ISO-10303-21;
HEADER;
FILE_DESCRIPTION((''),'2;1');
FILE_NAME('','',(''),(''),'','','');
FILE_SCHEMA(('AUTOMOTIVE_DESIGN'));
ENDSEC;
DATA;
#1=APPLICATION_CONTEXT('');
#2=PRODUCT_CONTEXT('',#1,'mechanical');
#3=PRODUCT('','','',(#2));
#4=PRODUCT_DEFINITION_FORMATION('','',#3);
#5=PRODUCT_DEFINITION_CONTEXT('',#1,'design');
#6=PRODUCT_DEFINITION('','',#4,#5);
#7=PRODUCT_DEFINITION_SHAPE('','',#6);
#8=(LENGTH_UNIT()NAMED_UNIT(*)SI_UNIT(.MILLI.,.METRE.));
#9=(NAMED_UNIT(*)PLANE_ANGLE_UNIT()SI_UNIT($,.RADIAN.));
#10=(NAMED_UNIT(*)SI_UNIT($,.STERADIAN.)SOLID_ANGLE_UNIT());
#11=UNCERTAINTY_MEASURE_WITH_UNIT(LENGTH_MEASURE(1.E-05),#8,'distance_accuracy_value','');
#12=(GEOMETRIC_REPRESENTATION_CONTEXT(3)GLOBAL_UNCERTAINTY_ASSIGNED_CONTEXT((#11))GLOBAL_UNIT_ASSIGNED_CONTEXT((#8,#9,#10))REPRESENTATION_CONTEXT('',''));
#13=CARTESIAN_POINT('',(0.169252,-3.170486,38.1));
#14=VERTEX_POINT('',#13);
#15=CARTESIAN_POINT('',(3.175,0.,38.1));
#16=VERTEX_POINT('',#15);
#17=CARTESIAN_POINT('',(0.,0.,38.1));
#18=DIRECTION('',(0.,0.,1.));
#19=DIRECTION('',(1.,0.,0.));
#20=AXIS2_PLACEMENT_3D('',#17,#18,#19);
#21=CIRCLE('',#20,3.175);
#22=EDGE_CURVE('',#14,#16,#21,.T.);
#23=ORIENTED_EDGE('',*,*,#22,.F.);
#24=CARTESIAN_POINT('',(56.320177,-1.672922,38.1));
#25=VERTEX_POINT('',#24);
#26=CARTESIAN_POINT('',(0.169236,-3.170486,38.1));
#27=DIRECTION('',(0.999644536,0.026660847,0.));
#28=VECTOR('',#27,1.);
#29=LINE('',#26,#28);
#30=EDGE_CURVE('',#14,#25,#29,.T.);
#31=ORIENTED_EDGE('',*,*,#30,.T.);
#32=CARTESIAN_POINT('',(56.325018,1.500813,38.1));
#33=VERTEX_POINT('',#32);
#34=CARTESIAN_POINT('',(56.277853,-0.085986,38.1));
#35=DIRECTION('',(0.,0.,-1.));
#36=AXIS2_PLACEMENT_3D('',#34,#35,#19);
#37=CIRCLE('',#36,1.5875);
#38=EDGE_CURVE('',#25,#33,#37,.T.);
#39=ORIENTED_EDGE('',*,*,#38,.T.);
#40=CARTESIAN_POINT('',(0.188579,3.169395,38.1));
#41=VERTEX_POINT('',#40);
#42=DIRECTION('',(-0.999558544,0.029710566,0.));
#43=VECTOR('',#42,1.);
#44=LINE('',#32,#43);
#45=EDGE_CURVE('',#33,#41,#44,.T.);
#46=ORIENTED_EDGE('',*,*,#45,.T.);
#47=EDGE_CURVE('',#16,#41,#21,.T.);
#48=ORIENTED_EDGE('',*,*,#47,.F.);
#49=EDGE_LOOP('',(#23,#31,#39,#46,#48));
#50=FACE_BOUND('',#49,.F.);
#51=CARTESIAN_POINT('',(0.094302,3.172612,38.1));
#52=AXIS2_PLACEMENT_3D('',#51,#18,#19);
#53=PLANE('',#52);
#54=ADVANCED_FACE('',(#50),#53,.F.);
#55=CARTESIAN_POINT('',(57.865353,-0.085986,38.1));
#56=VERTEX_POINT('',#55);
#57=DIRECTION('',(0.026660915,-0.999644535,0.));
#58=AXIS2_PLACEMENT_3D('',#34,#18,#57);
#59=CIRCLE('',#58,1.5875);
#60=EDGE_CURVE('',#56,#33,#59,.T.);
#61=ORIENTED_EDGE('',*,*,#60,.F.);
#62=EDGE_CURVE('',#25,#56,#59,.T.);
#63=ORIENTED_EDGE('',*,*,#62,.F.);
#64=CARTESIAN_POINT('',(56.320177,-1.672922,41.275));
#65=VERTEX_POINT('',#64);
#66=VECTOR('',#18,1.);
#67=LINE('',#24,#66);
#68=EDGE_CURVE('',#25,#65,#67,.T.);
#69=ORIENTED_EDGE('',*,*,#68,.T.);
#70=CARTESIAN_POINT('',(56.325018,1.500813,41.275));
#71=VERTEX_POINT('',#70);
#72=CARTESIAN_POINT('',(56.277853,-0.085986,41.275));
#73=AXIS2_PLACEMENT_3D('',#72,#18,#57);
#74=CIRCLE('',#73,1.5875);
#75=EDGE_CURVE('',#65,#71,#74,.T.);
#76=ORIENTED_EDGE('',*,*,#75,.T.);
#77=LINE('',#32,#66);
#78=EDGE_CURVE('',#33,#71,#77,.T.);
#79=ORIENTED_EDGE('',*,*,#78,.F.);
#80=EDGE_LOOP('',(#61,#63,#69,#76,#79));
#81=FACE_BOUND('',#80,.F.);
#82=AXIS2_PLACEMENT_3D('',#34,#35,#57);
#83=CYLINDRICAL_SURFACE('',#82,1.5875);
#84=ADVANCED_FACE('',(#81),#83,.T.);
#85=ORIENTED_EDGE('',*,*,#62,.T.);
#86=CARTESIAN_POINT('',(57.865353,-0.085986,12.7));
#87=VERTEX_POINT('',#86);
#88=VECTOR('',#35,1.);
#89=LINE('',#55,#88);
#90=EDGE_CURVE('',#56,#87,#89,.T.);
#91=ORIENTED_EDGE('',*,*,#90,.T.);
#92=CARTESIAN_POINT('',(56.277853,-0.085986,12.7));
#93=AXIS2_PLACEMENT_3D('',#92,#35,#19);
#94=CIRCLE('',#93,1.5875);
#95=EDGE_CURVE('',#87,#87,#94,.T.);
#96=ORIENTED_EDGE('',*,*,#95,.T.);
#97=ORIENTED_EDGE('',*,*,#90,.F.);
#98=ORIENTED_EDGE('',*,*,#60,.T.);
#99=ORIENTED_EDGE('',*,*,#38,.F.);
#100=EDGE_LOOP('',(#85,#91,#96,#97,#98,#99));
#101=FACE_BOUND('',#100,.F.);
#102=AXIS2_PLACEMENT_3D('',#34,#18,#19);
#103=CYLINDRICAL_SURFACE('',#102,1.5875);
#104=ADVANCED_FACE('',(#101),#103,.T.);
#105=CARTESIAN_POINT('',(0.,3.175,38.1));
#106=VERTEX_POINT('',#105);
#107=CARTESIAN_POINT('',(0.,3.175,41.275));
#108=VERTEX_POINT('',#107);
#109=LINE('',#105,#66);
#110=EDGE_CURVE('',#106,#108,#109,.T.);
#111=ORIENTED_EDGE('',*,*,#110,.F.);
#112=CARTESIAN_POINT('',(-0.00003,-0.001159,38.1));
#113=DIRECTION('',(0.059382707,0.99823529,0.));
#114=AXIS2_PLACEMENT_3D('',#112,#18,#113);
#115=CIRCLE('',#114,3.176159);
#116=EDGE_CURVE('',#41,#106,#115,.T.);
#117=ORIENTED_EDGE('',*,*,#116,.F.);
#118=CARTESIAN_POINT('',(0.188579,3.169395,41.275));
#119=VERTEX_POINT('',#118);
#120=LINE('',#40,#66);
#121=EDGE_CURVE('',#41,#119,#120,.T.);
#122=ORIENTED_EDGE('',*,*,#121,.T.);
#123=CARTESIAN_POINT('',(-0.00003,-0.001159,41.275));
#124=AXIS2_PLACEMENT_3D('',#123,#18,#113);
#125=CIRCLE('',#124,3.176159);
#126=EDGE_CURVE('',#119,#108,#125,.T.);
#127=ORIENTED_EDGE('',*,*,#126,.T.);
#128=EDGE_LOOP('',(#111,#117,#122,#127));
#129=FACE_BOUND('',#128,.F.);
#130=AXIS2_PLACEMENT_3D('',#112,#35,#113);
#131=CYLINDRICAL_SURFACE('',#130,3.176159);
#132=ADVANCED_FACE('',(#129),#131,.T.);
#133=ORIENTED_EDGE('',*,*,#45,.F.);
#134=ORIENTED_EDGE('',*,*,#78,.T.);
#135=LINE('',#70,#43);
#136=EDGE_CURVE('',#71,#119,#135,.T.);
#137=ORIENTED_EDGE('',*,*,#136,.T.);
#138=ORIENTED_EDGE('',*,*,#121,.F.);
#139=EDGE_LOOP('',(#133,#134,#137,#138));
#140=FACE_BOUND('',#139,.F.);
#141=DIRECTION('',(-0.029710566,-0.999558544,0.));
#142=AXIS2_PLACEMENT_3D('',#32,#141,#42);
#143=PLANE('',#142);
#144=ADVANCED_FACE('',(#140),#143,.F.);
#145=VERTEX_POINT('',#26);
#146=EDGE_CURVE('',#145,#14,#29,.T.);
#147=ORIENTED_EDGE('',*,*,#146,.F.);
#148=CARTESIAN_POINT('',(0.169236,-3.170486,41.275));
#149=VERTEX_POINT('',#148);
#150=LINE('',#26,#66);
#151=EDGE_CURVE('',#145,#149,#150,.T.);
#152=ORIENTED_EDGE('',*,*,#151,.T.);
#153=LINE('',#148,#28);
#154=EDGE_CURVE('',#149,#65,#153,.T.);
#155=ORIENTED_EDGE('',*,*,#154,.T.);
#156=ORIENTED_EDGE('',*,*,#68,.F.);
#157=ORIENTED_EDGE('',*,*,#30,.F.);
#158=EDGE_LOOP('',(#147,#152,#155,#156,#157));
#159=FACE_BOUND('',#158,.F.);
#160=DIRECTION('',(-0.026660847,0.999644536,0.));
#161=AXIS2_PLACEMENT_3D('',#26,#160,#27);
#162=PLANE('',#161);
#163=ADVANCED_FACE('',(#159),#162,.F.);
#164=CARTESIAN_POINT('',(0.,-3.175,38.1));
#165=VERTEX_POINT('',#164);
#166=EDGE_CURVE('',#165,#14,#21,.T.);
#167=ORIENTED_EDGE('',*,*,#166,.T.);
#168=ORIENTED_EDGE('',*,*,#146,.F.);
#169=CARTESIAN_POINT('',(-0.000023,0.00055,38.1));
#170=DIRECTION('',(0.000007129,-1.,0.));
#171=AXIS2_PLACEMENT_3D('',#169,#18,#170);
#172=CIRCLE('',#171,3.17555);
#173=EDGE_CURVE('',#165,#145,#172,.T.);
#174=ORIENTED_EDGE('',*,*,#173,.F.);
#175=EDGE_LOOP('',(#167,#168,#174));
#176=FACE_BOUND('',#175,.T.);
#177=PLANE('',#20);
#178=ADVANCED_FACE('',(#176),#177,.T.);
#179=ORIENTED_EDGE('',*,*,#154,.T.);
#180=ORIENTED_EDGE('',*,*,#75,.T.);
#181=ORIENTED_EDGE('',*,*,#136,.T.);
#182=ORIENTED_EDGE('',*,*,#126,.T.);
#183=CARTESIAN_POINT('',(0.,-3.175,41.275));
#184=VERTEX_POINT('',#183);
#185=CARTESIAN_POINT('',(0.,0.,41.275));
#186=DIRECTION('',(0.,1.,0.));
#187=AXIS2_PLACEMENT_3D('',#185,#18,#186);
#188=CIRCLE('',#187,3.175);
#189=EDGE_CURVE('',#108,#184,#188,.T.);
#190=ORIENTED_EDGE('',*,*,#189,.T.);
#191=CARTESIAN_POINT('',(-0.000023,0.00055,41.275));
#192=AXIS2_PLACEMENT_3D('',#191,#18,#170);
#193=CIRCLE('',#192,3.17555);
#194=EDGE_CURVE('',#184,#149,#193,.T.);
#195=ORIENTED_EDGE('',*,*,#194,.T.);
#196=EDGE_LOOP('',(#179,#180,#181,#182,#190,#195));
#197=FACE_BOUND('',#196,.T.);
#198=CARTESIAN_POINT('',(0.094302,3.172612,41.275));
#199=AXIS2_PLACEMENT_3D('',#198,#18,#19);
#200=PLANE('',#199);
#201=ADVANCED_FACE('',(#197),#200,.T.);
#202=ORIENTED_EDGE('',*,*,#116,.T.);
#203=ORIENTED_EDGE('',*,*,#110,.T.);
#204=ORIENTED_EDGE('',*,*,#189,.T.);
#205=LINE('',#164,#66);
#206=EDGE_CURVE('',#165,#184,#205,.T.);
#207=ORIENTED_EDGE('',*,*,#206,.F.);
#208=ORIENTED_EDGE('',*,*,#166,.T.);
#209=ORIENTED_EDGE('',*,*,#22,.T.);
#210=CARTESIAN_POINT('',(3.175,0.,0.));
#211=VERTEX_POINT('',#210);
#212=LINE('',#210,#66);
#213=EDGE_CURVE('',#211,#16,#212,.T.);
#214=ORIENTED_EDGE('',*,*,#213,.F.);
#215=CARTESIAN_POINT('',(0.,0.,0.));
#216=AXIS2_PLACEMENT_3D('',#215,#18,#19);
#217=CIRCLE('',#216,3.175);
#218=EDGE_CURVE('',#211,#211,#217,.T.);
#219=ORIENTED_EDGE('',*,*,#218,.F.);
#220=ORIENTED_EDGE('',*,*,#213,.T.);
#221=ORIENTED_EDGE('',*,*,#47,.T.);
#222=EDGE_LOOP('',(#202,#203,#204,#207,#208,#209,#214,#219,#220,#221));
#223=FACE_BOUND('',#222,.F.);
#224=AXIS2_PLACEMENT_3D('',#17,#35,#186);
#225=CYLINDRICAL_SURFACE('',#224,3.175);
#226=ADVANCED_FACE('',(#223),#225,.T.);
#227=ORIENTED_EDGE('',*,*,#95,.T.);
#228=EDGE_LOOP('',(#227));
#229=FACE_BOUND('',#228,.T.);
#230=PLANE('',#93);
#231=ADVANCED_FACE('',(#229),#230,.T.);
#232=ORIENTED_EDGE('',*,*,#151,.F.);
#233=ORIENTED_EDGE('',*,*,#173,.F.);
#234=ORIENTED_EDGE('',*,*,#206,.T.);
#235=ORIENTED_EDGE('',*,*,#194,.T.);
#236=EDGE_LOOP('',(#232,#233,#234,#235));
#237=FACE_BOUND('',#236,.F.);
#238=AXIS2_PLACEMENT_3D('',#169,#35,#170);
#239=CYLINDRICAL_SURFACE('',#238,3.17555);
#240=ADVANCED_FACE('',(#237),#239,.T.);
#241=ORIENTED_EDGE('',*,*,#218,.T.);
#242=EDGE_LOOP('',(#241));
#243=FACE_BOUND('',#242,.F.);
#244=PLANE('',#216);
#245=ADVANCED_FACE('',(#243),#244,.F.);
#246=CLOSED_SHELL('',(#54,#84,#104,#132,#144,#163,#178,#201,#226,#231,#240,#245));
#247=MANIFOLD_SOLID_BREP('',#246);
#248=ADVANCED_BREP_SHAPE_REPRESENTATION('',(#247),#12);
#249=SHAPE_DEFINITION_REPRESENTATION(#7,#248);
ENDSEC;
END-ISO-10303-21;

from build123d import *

# Parameters (mm, degrees)
F0_R     = 3.175
F1_DEPTH = 38.1
F3_DEPTH = 3.175
F4_R     = 1.5875
F5_DEPTH = 25.4


with BuildPart() as f1:
    # F0 (on Top) → F1 (new body)
    with BuildSketch(Plane.XY):
        Circle(F0_R)
    extrude(amount=F1_DEPTH)

    # F2 (on face) → F3 (join)
    with BuildSketch(Plane.XY.offset(38.1)):
        with BuildLine():
            Line((0, 3.175), (0.188579, 3.169395))
            ThreePointArc((0.188579, 3.169395), (0.094331, 3.173598), (0, 3.175))
        make_face()
        with BuildLine():
            Line((56.325018, 1.500813), (0.188579, 3.169395))
            Line((0.188579, 3.169395), (0, 3.175))
            ThreePointArc((0, 3.175), (-3.175, 0), (0, -3.175))
            Line((0, -3.175), (0.169236, -3.170486))
            Line((0.169236, -3.170486), (56.320177, -1.672922))
            ThreePointArc((56.320177, -1.672922), (57.865351, -0.088408), (56.325018, 1.500813))
        make_face()
        with BuildLine():
            Line((0.169236, -3.170486), (0, -3.175))
            ThreePointArc((0, -3.175), (0.084648, -3.173871), (0.169236, -3.170486))
        make_face()
    extrude(amount=F3_DEPTH)

    # F4 (on face) → F5 (join)
    with BuildSketch(Plane(origin=(0, 0, 38.1), x_dir=(1, 0, 0), z_dir=(0, 0, -1))):
        with Locations((56.277853, 0.085986)):
            Circle(F4_R)
    extrude(amount=F5_DEPTH)


solid = f1.part
